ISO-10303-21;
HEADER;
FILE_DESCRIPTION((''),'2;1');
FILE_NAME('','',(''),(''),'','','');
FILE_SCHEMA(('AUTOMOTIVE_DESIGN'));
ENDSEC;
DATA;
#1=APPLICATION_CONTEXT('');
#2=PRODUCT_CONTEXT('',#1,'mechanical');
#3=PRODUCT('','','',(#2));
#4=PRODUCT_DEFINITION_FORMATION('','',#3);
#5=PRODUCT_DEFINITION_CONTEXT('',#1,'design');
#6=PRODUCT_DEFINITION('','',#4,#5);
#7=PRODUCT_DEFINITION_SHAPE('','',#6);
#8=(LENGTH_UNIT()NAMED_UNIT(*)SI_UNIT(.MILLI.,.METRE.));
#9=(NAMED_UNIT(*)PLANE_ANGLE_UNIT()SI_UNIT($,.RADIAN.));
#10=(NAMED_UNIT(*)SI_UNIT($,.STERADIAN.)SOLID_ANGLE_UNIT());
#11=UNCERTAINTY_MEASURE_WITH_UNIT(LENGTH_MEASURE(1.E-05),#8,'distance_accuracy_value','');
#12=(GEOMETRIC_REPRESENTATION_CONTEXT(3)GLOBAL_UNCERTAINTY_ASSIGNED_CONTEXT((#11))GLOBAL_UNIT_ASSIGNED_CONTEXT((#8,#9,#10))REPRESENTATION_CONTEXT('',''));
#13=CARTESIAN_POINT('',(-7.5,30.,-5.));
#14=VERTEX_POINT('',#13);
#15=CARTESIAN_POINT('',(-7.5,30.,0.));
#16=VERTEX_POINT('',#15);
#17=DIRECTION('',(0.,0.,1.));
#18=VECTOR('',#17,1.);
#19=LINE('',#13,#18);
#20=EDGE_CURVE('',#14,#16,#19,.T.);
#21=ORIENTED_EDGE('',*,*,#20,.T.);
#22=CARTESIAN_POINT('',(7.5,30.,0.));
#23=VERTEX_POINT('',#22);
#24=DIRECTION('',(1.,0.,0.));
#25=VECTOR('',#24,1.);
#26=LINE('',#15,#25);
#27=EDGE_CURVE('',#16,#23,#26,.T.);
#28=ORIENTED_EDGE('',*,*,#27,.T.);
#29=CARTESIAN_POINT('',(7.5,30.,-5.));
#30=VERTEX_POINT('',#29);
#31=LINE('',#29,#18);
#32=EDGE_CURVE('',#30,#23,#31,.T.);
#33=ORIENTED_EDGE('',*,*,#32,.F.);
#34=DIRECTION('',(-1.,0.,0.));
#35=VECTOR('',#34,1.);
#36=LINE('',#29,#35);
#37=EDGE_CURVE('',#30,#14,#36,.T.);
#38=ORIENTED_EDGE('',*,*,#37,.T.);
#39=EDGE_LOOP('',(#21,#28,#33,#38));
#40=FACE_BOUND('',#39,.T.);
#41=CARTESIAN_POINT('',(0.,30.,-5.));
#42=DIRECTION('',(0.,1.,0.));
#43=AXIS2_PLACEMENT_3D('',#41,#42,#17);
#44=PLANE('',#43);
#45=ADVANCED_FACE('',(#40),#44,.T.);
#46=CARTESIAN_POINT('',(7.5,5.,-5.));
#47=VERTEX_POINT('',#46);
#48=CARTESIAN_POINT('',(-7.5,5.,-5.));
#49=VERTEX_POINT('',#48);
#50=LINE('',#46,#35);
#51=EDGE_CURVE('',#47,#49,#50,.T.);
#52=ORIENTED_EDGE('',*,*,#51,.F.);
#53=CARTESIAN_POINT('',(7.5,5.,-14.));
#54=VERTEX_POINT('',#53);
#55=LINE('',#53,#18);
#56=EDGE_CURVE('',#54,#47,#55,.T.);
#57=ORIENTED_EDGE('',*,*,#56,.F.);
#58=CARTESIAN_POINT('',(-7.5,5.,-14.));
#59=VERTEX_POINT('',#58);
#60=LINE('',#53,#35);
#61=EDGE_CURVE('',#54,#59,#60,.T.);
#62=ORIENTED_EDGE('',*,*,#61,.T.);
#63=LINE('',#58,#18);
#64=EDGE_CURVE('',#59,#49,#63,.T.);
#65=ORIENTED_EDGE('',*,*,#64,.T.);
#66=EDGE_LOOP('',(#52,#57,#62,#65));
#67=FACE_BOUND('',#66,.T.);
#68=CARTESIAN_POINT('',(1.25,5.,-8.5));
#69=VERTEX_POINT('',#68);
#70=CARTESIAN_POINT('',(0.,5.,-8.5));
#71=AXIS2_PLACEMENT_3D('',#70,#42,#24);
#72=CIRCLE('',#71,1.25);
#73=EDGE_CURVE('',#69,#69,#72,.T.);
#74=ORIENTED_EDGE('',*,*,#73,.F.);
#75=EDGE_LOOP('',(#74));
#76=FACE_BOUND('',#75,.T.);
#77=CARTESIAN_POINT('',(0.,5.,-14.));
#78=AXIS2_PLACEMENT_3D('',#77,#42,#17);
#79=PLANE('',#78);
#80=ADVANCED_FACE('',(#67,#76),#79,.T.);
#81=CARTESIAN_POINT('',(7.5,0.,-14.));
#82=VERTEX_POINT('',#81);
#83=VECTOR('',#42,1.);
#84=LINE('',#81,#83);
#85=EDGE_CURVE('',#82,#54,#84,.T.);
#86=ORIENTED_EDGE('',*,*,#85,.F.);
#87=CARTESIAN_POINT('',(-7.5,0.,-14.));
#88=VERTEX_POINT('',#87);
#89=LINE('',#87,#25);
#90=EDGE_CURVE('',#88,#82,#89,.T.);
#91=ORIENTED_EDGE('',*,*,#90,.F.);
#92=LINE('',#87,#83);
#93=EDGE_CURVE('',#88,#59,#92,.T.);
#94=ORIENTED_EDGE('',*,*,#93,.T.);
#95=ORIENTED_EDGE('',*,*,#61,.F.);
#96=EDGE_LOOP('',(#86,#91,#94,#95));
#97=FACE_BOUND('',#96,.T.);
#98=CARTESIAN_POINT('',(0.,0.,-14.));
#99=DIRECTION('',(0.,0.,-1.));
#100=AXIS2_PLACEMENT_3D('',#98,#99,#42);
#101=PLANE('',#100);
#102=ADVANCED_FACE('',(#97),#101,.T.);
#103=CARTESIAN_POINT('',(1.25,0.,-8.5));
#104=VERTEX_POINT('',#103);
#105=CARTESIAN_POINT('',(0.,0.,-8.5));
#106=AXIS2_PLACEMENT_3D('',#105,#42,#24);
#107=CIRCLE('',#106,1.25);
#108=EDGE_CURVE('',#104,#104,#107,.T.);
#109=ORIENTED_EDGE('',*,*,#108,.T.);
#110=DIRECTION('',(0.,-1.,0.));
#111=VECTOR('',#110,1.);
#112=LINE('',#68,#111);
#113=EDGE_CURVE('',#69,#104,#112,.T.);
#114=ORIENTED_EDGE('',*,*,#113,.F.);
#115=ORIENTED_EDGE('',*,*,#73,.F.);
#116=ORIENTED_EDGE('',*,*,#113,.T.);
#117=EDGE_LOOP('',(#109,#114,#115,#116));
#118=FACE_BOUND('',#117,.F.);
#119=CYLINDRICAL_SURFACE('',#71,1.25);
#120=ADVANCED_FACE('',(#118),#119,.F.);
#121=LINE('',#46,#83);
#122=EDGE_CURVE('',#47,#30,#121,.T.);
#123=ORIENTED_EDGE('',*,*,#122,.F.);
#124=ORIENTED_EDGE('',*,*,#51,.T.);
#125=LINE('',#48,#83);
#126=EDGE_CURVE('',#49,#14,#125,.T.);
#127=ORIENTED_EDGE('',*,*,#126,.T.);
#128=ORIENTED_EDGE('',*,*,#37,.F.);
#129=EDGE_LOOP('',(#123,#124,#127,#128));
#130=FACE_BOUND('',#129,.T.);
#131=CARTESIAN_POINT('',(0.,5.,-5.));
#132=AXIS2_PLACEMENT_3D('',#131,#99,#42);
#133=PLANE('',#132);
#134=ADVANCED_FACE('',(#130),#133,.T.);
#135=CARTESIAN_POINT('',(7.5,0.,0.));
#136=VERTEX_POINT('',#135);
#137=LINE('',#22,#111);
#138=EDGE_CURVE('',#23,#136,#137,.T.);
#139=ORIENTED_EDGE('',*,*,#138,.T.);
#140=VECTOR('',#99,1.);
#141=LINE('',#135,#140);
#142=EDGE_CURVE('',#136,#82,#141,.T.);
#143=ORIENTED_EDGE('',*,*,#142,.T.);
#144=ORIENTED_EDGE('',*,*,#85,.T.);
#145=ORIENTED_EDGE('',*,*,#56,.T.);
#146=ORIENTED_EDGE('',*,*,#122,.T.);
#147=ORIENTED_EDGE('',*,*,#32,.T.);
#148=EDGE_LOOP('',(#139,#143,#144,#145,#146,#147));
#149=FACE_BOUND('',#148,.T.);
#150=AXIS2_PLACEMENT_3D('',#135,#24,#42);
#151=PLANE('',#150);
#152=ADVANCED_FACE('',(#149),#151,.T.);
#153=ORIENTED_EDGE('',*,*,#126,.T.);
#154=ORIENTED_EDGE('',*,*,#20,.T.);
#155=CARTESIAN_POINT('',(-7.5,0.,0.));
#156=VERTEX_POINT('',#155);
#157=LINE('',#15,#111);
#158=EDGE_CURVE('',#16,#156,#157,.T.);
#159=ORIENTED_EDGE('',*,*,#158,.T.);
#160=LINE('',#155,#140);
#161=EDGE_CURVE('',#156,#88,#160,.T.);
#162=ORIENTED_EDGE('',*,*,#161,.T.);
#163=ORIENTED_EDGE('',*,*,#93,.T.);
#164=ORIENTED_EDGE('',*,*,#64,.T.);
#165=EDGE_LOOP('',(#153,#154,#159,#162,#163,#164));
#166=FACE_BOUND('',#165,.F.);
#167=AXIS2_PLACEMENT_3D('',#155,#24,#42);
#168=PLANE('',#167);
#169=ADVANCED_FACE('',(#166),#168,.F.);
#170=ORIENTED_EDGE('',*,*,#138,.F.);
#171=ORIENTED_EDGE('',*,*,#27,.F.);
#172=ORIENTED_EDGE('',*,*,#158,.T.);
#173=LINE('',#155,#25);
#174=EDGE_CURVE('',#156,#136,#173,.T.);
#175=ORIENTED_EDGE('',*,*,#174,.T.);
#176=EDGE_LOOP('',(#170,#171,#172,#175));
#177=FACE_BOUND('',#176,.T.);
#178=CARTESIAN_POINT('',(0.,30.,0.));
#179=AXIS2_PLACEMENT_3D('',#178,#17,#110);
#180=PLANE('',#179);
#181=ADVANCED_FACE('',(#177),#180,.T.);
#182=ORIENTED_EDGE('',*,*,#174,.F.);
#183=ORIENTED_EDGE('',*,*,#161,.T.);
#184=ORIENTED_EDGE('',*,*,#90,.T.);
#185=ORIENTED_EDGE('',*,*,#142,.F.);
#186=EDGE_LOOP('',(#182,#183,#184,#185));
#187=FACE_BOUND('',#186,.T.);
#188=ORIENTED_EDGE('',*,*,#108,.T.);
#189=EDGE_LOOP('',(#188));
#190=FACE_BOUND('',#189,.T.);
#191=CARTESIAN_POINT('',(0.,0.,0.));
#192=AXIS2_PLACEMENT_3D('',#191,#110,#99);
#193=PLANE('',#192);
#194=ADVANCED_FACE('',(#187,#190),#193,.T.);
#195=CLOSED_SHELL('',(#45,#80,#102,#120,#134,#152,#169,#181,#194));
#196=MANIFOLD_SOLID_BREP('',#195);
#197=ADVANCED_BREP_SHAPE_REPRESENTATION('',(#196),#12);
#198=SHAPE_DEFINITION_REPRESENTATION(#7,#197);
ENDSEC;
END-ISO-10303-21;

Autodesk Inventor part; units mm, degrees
ref_plane "YZ Plane" through (0, 0, 0) normal (1, 0, 0) x (0, 1, 0)
ref_plane "XZ Plane" through (0, 0, 0) normal (0, 1, 0) x (-1, 0, 0)
ref_plane "XY Plane" through (0, 0, 0) normal (0, 0, 1) x (1, 0, 0)
sketch "Sketch1" plane through (0, 0, 0) normal (1, 0, 0) x (0, 1, 0)
  line L0 (30, 0) -> (0, 0)
  line L1 (0, 0) -> (0, -14)
  line L2 (0, -14) -> (5, -14)
  line L3 (5, -14) -> (5, -5)
  line L4 (5, -5) -> (30, -5)
  line L5 (30, -5) -> (30, 0)
  dimension "d0" = 5
  dimension "d1" = 14
  dimension "d2" = 5
  dimension "d3" = 30
extrude "Extrusion1" add sketch "Sketch1" against normal mid plane 15
sketch "Sketch2" plane through (-7.5, 5, -14) normal (0, 1, 0) x (1, 0, 0)
  circle A0 centre (7.5, -5.5) radius 1.25
  line L0 (0, 0) -> (15, 0) projected
  line L1 (0, -14) -> (15, -14) projected
  line L2 (0, -9) -> (15, -9) projected
  point P0 (7.5, -14)
  point P1 (7.5, -14)
  dimension "d6" = 2.5
  dimension "d10" = 3.5
extrude "Extrusion2" cut sketch "Sketch2" against normal through all
properties part number "battery_fix_board"
